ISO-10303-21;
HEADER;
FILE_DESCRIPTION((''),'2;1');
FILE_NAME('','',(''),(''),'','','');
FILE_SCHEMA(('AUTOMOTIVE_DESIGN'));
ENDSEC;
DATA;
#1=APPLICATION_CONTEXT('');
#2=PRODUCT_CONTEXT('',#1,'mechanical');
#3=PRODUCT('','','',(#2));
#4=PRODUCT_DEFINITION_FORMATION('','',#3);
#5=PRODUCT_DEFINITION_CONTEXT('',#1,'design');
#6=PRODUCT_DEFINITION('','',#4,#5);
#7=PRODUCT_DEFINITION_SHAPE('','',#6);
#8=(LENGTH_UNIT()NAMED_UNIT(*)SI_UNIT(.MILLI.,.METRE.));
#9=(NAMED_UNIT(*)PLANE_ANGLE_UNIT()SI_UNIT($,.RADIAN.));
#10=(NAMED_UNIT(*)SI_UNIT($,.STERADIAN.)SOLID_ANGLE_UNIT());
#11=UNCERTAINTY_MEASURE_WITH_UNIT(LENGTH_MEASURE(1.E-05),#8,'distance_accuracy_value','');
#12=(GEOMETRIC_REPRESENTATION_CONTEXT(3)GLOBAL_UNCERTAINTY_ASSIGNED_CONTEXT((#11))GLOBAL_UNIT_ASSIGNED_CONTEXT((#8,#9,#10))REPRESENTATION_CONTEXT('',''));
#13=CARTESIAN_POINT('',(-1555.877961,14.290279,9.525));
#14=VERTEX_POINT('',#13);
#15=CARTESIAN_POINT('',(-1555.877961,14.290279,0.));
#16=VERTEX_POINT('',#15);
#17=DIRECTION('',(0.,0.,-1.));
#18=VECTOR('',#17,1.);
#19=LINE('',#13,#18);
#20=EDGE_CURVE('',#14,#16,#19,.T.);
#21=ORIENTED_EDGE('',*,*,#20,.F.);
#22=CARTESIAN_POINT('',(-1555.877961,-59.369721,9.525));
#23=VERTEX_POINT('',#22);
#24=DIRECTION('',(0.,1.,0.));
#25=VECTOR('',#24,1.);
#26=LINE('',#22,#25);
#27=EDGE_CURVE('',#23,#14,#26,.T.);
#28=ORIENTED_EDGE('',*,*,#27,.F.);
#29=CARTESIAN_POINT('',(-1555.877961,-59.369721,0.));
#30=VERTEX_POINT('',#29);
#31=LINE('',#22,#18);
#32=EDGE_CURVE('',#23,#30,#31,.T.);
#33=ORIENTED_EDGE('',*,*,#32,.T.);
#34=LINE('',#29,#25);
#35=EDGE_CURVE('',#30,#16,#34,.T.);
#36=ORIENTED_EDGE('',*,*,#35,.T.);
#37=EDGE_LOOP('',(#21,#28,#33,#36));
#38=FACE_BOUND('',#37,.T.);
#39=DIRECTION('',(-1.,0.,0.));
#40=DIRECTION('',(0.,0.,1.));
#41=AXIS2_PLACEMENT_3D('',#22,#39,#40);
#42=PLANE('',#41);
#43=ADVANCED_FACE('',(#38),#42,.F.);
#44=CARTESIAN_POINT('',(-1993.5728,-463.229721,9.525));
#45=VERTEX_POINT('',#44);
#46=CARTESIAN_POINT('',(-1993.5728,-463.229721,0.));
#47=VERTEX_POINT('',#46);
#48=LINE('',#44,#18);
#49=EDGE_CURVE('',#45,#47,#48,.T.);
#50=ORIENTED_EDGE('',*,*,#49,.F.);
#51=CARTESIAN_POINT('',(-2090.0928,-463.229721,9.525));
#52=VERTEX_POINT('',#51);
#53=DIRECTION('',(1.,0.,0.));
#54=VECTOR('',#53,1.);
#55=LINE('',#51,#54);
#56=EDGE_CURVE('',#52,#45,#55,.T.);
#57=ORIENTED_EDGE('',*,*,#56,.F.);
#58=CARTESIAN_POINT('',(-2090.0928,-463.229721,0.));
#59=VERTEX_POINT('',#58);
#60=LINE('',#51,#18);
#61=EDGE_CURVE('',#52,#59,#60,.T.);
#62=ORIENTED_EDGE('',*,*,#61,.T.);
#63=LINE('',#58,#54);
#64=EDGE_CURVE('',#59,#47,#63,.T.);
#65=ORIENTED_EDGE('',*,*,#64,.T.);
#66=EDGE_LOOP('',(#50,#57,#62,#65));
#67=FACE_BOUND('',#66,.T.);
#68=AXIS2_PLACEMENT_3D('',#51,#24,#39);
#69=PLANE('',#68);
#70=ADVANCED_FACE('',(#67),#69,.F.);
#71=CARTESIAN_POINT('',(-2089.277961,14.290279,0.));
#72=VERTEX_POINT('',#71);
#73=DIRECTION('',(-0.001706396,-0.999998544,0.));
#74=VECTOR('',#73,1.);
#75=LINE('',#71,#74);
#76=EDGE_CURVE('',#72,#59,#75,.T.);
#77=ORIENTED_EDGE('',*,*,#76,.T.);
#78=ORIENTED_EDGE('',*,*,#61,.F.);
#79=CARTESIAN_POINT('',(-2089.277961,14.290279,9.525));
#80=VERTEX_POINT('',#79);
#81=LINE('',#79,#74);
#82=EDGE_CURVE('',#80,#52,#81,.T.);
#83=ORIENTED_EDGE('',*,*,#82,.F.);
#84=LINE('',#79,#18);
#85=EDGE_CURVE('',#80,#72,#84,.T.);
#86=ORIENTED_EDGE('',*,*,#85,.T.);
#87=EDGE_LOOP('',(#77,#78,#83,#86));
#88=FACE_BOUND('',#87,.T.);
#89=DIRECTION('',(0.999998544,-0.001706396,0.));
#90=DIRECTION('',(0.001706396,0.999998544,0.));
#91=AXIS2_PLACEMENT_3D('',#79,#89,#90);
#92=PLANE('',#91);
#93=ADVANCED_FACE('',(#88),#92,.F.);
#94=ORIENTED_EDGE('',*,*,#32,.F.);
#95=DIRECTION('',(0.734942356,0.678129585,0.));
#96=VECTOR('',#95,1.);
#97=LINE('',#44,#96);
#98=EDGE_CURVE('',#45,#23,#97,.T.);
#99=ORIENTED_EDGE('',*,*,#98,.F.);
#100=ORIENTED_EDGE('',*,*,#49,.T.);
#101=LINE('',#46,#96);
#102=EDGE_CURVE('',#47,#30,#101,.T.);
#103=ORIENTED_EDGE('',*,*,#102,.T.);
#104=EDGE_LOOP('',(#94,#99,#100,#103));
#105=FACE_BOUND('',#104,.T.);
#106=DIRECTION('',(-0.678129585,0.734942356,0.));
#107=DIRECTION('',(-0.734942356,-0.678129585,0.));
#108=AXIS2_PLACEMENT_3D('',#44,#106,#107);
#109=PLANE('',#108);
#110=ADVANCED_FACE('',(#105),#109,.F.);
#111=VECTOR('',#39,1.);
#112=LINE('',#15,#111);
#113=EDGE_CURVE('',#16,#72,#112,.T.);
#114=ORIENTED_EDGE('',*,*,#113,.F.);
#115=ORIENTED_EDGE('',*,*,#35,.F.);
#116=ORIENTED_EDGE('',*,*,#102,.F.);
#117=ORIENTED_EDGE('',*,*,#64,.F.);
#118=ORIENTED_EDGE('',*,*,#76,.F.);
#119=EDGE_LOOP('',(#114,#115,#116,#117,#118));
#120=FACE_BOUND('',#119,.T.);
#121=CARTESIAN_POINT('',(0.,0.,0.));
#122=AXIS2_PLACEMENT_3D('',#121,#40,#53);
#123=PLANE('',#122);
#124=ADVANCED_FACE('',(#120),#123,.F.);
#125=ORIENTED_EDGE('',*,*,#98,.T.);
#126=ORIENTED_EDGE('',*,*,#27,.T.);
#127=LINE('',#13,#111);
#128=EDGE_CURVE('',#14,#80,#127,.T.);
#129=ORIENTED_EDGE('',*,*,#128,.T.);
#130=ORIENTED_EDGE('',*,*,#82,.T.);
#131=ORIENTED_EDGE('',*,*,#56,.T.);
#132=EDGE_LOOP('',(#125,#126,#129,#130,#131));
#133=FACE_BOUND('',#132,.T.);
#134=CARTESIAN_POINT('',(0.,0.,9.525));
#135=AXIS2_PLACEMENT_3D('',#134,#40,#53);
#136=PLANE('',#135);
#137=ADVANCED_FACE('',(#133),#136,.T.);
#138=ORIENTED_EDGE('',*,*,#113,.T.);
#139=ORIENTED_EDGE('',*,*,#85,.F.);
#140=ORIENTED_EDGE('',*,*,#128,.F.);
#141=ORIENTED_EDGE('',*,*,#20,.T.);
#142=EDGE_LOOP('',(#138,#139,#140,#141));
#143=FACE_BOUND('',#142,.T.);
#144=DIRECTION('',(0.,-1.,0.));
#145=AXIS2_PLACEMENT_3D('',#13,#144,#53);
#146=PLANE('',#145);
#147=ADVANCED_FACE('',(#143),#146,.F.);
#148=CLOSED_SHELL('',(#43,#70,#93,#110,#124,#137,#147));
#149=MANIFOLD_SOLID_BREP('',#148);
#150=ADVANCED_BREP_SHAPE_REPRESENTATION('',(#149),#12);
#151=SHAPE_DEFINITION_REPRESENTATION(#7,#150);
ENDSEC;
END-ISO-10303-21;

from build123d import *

# Parameters (mm, degrees)
BOSS_EXTRUDE1_DEPTH = 9.525


with BuildPart() as part:
    # Sketch1 → Boss-Extrude1 (new body)
    with BuildSketch(Plane.XY):
        Polygon((-1993.5728, -463.229720641), (-1555.877960592, -59.369720641), (-1555.877960592, 14.290279359), (-2089.277960592, 14.290279359), (-2090.0928, -463.229720641), align=None)
    extrude(amount=BOSS_EXTRUDE1_DEPTH)


solid = part.part
